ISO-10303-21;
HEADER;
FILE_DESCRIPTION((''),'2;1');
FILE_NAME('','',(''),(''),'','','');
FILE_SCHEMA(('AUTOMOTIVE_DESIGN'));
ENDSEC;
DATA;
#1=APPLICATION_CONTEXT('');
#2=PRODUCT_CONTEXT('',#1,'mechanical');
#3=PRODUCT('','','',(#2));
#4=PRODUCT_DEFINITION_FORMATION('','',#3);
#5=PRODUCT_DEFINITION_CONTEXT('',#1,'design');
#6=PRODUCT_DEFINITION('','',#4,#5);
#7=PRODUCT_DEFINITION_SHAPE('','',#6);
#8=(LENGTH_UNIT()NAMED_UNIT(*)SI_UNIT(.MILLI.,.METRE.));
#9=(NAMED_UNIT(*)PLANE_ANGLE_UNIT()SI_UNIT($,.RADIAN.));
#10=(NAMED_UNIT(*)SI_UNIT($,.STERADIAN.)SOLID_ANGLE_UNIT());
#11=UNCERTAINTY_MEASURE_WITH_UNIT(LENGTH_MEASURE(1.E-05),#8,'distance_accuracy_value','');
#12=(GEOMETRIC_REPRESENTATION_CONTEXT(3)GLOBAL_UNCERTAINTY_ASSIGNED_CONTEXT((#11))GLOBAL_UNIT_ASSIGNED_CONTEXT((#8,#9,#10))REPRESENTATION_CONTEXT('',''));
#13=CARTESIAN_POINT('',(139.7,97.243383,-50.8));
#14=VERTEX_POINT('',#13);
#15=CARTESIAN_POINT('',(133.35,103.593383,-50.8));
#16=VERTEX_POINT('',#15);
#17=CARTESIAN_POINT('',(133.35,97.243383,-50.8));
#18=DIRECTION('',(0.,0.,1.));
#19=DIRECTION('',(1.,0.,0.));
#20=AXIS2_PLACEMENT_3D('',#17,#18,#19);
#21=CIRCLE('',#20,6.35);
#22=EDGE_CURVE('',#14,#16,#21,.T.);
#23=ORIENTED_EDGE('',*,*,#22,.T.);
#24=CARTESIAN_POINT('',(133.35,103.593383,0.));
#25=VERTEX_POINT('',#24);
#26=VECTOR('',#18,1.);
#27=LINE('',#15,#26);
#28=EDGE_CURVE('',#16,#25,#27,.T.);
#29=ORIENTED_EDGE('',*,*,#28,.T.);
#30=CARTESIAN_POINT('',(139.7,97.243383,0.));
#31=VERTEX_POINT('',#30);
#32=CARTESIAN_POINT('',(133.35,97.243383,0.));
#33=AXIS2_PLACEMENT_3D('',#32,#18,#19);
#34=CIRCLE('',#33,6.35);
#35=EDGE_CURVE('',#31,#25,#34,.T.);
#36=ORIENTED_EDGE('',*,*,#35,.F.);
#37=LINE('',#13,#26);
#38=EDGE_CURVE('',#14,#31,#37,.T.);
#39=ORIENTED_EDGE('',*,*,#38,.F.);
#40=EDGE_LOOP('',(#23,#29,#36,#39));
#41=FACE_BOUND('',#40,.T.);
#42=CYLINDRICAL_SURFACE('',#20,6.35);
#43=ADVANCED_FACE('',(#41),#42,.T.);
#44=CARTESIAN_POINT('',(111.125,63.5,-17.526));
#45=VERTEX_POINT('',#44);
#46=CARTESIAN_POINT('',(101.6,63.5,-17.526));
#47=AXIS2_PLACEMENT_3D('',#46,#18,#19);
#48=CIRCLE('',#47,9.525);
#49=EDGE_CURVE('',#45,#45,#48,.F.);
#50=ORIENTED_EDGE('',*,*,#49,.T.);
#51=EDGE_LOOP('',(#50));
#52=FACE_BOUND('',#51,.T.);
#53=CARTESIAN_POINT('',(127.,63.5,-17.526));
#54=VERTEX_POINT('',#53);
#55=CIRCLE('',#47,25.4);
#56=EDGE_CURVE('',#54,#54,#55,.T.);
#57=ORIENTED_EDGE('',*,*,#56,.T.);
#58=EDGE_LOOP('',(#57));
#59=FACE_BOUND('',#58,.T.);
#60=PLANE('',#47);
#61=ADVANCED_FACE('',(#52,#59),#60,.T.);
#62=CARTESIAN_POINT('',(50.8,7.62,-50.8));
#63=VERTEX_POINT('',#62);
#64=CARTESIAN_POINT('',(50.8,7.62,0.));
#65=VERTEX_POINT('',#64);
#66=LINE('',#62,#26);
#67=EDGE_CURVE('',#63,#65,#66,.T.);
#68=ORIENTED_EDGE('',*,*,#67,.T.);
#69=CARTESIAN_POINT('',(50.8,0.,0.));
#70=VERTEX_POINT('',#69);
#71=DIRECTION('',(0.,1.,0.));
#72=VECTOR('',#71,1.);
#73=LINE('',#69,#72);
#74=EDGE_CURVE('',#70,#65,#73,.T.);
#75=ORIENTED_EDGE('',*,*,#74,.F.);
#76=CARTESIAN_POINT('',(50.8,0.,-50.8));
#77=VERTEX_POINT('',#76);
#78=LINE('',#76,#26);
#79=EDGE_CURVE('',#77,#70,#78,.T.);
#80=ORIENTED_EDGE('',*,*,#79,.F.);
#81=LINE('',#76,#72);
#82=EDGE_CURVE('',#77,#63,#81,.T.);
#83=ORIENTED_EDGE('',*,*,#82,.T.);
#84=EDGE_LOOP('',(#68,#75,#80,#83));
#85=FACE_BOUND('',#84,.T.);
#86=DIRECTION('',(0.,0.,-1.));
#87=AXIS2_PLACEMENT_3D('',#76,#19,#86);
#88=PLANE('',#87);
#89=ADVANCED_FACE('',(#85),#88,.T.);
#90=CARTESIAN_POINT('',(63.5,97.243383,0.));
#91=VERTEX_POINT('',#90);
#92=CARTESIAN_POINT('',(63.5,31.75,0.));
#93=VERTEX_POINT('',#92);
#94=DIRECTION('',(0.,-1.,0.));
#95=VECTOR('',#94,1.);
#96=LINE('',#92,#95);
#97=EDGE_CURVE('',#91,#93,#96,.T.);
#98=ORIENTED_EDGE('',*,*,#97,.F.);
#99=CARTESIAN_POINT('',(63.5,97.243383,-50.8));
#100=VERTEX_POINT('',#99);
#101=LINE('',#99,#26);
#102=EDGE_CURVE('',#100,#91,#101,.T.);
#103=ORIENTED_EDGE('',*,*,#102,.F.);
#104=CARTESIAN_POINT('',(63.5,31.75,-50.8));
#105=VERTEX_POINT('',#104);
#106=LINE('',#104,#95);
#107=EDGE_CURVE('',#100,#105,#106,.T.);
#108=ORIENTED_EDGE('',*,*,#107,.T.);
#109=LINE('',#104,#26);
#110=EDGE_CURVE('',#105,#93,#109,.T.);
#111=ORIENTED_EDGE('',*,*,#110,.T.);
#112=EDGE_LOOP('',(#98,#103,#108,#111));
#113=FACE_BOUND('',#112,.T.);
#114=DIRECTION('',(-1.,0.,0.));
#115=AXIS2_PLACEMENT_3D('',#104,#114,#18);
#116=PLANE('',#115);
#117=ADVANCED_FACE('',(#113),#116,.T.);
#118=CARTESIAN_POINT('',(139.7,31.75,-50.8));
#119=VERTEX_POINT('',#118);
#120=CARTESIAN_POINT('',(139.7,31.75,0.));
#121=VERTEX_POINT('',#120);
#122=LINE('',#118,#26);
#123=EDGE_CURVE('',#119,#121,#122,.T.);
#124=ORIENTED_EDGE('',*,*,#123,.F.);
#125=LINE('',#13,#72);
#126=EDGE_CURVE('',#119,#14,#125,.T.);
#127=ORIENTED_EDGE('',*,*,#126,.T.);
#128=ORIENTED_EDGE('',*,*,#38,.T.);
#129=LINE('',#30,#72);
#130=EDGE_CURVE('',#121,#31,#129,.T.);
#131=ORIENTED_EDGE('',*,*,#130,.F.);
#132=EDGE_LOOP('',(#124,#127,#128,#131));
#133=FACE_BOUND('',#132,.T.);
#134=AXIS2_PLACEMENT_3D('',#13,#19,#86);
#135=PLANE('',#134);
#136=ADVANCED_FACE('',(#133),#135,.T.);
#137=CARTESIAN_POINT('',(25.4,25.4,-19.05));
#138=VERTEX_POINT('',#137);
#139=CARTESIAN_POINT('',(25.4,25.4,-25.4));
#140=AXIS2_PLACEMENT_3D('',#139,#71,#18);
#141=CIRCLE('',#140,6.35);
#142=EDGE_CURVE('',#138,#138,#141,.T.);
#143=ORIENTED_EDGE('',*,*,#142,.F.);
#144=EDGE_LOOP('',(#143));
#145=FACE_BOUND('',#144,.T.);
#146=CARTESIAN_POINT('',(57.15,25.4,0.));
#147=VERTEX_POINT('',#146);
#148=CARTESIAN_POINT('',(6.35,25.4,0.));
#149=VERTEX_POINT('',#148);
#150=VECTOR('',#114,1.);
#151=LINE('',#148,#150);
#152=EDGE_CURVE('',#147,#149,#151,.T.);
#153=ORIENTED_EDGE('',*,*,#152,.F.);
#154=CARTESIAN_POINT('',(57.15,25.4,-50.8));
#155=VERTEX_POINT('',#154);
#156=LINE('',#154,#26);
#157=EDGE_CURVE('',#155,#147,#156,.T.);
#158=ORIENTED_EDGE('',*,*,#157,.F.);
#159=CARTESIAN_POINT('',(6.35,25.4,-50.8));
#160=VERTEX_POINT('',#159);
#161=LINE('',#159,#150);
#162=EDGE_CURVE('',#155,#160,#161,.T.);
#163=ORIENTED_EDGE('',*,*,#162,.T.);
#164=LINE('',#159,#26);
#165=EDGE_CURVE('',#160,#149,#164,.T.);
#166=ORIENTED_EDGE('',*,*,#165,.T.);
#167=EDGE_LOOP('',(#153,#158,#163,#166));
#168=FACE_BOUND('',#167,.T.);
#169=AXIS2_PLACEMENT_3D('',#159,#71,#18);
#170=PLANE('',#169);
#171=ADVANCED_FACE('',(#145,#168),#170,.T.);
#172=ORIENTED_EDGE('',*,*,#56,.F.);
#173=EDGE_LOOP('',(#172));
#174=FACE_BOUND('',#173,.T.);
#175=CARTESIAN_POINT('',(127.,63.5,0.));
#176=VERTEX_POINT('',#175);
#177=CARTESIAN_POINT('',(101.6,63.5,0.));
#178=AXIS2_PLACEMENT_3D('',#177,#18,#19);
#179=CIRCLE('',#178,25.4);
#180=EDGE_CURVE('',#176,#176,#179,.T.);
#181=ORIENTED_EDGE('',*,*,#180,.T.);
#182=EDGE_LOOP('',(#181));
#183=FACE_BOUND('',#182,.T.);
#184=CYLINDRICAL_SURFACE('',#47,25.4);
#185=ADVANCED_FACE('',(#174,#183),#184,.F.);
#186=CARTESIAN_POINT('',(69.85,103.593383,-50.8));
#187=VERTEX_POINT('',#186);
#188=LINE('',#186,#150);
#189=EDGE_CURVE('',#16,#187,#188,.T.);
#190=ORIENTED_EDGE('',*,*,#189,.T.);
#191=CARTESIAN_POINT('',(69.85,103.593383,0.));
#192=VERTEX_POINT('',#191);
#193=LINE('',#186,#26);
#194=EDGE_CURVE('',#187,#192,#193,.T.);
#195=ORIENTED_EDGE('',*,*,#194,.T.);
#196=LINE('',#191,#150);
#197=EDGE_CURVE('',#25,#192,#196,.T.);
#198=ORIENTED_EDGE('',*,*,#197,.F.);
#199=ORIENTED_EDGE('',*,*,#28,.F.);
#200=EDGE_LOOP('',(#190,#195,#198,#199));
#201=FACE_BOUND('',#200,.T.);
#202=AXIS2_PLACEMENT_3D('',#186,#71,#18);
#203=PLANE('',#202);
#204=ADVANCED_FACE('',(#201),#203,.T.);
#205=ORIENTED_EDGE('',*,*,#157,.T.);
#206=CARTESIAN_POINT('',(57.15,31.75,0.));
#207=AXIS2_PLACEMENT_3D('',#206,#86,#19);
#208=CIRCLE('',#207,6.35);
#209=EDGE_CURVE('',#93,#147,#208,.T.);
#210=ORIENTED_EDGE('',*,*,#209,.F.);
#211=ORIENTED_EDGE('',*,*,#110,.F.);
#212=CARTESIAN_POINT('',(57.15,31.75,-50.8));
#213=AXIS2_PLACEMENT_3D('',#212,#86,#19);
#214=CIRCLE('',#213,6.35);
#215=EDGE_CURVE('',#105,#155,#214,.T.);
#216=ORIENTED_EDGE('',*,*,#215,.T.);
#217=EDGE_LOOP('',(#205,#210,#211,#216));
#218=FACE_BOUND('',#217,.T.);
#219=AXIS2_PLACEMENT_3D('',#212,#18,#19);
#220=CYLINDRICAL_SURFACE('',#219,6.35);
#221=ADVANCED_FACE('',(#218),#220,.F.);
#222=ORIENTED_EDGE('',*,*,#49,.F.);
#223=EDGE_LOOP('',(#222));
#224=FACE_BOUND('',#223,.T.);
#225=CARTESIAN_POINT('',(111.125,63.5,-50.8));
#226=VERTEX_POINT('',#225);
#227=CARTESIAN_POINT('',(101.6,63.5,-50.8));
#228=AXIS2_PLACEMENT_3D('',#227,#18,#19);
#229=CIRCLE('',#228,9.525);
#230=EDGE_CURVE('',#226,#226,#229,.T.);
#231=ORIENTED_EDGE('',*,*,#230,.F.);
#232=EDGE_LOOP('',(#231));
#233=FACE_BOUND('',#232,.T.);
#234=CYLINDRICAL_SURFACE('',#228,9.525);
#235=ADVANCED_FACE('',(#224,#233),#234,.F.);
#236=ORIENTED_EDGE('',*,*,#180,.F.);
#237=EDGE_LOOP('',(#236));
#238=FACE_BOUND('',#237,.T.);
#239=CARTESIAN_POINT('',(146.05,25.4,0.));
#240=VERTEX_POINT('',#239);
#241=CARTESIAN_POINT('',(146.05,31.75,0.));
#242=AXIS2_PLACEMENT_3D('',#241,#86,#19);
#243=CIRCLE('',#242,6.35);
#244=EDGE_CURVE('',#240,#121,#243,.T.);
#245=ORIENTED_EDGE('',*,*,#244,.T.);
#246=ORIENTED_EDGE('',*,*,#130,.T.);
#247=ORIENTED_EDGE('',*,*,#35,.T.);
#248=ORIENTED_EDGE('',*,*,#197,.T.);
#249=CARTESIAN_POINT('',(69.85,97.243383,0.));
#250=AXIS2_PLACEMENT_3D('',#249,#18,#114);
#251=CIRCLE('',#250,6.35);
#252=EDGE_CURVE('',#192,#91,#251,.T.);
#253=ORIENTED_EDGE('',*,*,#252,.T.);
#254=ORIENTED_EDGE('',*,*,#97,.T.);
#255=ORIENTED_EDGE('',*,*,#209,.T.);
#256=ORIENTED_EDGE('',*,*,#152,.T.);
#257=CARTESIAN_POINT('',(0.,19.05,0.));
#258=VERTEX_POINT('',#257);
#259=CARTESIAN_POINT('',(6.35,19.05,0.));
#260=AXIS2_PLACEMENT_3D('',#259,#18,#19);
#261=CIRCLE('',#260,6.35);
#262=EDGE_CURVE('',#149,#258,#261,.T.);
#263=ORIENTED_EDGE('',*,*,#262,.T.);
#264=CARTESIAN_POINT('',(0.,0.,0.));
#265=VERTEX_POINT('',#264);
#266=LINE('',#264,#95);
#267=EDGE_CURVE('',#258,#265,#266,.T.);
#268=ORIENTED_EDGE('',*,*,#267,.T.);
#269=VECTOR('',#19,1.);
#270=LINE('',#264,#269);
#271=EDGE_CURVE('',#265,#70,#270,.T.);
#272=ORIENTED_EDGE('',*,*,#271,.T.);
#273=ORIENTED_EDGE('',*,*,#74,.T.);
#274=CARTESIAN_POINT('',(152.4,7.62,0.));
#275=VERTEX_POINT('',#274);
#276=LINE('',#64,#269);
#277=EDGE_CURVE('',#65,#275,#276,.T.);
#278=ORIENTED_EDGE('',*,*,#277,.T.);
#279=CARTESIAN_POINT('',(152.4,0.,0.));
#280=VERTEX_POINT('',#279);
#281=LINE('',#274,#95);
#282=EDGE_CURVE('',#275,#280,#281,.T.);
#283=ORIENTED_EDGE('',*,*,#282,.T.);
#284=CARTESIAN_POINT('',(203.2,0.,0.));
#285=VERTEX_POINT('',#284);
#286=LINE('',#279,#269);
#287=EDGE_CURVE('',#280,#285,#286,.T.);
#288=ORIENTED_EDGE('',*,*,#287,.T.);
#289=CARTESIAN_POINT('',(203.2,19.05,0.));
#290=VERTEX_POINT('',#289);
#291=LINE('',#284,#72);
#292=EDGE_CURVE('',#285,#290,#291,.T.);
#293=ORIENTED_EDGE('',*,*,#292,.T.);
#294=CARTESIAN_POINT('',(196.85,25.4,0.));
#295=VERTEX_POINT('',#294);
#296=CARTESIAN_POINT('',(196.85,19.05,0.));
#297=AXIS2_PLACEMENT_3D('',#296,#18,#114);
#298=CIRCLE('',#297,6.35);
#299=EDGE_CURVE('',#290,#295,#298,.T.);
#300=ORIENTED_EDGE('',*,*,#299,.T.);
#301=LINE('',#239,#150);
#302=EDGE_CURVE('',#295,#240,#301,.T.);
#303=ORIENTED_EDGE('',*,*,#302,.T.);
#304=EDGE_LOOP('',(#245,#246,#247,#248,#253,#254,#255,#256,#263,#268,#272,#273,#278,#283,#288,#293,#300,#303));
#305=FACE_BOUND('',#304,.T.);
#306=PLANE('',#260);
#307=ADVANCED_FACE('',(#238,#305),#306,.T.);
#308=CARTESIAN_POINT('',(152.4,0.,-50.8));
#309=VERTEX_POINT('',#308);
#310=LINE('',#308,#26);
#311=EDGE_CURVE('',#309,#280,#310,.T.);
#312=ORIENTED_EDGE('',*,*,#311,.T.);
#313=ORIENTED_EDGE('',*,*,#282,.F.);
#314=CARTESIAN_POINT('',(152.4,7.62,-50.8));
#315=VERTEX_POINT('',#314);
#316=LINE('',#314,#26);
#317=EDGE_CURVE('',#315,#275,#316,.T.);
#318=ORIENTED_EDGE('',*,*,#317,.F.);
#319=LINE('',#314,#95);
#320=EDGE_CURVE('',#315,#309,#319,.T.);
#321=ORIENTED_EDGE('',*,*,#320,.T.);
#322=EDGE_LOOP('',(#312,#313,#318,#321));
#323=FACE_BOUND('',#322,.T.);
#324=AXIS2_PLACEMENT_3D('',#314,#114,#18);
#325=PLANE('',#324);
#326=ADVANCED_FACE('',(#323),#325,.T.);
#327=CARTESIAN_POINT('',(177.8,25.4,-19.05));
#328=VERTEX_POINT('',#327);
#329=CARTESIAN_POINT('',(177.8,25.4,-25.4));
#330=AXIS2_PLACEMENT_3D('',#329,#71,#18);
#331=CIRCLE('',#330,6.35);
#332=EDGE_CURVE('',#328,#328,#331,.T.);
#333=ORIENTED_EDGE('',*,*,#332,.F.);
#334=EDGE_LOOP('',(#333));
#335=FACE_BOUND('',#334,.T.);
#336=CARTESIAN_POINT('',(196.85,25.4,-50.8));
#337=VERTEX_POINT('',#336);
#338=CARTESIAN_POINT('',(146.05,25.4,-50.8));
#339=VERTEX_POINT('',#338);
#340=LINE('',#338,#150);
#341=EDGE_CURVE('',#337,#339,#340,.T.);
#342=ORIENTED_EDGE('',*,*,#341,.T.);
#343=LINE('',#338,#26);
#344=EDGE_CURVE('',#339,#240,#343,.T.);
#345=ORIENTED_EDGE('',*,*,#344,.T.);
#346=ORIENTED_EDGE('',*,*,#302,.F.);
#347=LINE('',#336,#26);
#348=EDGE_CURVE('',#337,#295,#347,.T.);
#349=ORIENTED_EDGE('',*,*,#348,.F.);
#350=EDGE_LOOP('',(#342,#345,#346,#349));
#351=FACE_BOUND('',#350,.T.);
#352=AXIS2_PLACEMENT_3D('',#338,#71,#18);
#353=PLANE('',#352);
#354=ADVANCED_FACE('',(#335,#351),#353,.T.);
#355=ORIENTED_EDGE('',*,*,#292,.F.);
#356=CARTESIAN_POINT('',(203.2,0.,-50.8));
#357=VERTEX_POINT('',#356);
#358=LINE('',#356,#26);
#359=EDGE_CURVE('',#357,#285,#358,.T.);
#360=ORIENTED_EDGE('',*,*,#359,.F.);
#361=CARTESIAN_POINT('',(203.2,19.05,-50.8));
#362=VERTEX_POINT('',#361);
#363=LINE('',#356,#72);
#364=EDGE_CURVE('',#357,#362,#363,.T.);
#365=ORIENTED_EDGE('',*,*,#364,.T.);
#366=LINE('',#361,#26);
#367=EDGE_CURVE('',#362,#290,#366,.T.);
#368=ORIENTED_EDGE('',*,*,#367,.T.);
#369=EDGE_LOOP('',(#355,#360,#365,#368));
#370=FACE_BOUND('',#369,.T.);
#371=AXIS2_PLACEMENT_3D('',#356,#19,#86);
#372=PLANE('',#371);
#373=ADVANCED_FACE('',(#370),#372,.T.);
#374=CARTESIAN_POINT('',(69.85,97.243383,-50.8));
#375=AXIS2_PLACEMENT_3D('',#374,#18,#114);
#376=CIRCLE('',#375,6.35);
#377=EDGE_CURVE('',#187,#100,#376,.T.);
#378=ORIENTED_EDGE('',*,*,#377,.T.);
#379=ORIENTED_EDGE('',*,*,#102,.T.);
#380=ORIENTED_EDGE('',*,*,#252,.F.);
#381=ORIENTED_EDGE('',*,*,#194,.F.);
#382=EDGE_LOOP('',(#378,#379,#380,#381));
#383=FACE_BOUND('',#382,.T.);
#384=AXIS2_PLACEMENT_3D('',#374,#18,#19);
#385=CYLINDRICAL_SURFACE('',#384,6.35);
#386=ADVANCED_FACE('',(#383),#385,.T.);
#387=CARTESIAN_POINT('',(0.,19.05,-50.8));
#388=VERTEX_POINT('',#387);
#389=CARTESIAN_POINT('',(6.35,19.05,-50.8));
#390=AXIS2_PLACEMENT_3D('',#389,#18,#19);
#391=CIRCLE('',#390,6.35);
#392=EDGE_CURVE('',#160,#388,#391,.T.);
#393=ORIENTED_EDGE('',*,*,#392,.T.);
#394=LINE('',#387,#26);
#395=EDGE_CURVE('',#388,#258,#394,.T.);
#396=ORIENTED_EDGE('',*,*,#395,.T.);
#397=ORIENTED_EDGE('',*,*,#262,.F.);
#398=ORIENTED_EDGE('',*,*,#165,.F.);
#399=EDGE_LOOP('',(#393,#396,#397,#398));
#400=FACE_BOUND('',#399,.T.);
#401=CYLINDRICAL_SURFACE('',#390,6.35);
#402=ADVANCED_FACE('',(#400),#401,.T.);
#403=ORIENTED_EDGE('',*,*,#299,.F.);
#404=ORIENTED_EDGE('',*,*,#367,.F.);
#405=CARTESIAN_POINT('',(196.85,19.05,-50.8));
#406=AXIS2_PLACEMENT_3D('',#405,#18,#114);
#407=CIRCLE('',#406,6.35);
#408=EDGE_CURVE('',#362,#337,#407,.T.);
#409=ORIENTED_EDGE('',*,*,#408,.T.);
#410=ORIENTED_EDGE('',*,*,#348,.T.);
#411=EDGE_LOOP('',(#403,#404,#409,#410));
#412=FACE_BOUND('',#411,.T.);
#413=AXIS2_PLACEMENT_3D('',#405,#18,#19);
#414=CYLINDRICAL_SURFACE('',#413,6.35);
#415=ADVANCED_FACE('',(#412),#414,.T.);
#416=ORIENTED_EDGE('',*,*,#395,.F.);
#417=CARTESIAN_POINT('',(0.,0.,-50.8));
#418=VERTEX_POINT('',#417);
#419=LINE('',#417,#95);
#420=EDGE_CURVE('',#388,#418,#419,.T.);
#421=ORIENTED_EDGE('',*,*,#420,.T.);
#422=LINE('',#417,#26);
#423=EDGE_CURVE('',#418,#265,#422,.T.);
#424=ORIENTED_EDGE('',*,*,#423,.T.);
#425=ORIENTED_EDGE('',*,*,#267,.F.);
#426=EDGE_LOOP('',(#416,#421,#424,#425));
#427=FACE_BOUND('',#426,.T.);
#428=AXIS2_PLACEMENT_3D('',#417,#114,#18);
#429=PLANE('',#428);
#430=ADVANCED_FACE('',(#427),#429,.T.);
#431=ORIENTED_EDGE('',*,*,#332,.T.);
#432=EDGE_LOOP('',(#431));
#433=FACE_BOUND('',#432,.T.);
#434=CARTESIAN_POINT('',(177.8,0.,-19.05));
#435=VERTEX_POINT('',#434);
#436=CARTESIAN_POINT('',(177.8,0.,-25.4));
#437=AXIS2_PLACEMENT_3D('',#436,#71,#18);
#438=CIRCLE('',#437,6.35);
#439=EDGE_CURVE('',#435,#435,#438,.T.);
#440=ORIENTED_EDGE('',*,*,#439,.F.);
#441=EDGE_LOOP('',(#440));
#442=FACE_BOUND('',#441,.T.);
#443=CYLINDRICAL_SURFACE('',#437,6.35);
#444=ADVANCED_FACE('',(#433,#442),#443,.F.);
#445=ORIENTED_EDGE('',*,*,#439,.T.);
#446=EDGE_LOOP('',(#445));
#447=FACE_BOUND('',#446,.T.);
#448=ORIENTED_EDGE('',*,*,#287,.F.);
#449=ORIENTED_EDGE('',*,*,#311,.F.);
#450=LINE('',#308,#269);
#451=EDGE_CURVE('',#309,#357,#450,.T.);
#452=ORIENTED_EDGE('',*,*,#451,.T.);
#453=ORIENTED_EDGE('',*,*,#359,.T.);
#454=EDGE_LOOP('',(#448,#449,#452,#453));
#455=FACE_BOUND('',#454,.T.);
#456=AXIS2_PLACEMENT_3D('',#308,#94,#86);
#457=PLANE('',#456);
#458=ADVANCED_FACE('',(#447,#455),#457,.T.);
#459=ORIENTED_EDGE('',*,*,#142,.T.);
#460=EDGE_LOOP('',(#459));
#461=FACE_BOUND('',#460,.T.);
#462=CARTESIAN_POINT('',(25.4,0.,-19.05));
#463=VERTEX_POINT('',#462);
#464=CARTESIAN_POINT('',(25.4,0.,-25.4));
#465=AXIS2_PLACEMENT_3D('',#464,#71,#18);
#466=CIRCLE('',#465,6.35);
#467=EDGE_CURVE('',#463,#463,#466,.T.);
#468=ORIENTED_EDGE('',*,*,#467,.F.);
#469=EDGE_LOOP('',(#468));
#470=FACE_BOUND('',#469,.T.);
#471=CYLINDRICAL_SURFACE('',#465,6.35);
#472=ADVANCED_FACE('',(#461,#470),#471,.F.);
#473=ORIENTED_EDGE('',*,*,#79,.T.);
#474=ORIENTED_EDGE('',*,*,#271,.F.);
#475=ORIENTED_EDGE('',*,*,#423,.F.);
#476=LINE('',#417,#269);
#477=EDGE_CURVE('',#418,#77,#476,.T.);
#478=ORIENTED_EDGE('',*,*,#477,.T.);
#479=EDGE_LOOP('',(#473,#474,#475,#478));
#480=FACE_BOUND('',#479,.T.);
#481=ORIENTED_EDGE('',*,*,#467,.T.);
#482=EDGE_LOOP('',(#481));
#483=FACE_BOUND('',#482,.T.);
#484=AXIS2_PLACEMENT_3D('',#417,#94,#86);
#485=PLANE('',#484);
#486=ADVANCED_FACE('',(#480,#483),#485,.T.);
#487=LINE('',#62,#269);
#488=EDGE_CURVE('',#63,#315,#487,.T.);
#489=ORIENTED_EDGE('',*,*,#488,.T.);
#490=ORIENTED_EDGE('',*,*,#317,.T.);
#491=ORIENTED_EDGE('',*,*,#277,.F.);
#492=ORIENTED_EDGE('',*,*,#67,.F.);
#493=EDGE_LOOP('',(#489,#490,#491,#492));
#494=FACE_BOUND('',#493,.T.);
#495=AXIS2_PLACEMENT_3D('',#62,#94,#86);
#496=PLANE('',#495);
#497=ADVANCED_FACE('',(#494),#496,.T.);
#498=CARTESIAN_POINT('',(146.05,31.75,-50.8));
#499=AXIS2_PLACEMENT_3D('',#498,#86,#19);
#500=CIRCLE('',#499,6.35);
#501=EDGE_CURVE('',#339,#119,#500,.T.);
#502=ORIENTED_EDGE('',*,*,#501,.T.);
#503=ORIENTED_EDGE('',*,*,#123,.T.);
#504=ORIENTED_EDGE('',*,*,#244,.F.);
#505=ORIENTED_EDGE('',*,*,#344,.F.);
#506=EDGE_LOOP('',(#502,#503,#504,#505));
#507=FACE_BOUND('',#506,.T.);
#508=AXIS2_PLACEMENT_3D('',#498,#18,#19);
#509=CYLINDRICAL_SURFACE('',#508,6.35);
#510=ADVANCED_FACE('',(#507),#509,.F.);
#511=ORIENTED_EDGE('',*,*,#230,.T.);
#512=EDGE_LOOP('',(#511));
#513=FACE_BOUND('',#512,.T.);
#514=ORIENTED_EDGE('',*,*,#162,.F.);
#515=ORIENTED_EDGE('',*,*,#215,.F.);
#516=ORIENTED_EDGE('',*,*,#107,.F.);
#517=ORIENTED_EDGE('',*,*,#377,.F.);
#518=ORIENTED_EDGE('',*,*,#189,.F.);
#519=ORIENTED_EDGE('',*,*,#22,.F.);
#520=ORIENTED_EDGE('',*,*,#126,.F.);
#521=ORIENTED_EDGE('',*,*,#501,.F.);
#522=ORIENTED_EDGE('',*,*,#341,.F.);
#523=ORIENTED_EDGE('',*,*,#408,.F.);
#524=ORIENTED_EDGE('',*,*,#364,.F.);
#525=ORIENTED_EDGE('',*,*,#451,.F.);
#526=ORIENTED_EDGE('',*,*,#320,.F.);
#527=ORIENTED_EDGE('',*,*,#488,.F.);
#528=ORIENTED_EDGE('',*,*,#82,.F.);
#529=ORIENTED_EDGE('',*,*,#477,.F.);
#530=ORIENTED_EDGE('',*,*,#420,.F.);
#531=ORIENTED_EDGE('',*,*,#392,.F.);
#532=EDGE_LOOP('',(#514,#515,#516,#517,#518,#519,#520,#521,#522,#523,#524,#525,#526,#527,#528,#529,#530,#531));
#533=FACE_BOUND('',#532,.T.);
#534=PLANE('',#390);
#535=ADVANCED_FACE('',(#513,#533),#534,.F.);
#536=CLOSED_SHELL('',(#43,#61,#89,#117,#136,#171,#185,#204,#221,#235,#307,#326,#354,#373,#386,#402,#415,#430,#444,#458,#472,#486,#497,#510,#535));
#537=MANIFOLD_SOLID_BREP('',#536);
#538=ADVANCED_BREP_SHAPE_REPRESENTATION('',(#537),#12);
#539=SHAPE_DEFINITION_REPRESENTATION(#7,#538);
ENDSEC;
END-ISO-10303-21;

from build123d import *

# Parameters (mm, degrees)
BOSS_EXTRUDE1_DEPTH = 50.8
SKETCH6_R           = 9.525
CUT_EXTRUDE1_DEPTH  = 50.8
SKETCH7_R           = 25.4
CUT_EXTRUDE2_DEPTH  = 17.526
SKETCH8_R           = 6.35
CUT_EXTRUDE3_DEPTH  = 26.4
SKETCH9_R           = 6.35
CUT_EXTRUDE4_DEPTH  = 26.4


with BuildPart() as part:
    # Sketch5 → Boss-Extrude1 (new body)
    with BuildSketch(Plane.XY):
        with BuildLine():
            Line((6.35, 25.4), (57.15, 25.4))
            ThreePointArc((57.15, 25.4), (61.640128061, 27.259871939), (63.5, 31.75))
            Line((63.5, 31.75), (63.5, 97.24338288))
            ThreePointArc((63.5, 97.24338288), (65.359871939, 101.73351094), (69.85, 103.59338288))
            Line((69.85, 103.59338288), (133.35, 103.59338288))
            ThreePointArc((133.35, 103.59338288), (137.840128061, 101.73351094), (139.7, 97.24338288))
            Line((139.7, 97.24338288), (139.7, 31.75))
            ThreePointArc((139.7, 31.75), (141.559871939, 27.259871939), (146.05, 25.4))
            Line((146.05, 25.4), (196.85, 25.4))
            ThreePointArc((196.85, 25.4), (201.340128061, 23.540128061), (203.2, 19.05))
            Line((203.2, 19.05), (203.2, 0))
            Line((203.2, 0), (152.4, 0))
            Line((152.4, 0), (152.4, 7.62))
            Line((152.4, 7.62), (50.8, 7.62))
            Line((50.8, 7.62), (50.8, 0))
            Line((50.8, 0), (0, 0))
            Line((0, 0), (0, 19.05))
            ThreePointArc((0, 19.05), (1.859871939, 23.540128061), (6.35, 25.4))
        make_face()
    extrude(amount=-BOSS_EXTRUDE1_DEPTH)

    # Sketch6 → Cut-Extrude1 (cut)
    with BuildSketch(Plane.XY):
        with Locations((101.6, 63.5)):
            Circle(SKETCH6_R)
    extrude(amount=-CUT_EXTRUDE1_DEPTH, mode=Mode.SUBTRACT)

    # Sketch7 → Cut-Extrude2 (cut)
    with BuildSketch(Plane.XY):
        with Locations((101.6, 63.5)):
            Circle(SKETCH7_R)
    extrude(amount=-CUT_EXTRUDE2_DEPTH, mode=Mode.SUBTRACT)

    # Sketch8 → Cut-Extrude3 (cut, through all)
    with BuildSketch(Plane(origin=(0, 25.4, 0), x_dir=(1, 0, 0), z_dir=(0, 1, 0))):
        with Locations((25.4, 25.4)):
            Circle(SKETCH8_R)
    extrude(amount=-CUT_EXTRUDE3_DEPTH, mode=Mode.SUBTRACT)

    # Sketch9 → Cut-Extrude4 (cut, through all)
    with BuildSketch(Plane(origin=(0, 25.4, 0), x_dir=(1, 0, 0), z_dir=(0, 1, 0))):
        with Locations((177.8, 25.4)):
            Circle(SKETCH9_R)
    extrude(amount=-CUT_EXTRUDE4_DEPTH, mode=Mode.SUBTRACT)


solid = part.part
